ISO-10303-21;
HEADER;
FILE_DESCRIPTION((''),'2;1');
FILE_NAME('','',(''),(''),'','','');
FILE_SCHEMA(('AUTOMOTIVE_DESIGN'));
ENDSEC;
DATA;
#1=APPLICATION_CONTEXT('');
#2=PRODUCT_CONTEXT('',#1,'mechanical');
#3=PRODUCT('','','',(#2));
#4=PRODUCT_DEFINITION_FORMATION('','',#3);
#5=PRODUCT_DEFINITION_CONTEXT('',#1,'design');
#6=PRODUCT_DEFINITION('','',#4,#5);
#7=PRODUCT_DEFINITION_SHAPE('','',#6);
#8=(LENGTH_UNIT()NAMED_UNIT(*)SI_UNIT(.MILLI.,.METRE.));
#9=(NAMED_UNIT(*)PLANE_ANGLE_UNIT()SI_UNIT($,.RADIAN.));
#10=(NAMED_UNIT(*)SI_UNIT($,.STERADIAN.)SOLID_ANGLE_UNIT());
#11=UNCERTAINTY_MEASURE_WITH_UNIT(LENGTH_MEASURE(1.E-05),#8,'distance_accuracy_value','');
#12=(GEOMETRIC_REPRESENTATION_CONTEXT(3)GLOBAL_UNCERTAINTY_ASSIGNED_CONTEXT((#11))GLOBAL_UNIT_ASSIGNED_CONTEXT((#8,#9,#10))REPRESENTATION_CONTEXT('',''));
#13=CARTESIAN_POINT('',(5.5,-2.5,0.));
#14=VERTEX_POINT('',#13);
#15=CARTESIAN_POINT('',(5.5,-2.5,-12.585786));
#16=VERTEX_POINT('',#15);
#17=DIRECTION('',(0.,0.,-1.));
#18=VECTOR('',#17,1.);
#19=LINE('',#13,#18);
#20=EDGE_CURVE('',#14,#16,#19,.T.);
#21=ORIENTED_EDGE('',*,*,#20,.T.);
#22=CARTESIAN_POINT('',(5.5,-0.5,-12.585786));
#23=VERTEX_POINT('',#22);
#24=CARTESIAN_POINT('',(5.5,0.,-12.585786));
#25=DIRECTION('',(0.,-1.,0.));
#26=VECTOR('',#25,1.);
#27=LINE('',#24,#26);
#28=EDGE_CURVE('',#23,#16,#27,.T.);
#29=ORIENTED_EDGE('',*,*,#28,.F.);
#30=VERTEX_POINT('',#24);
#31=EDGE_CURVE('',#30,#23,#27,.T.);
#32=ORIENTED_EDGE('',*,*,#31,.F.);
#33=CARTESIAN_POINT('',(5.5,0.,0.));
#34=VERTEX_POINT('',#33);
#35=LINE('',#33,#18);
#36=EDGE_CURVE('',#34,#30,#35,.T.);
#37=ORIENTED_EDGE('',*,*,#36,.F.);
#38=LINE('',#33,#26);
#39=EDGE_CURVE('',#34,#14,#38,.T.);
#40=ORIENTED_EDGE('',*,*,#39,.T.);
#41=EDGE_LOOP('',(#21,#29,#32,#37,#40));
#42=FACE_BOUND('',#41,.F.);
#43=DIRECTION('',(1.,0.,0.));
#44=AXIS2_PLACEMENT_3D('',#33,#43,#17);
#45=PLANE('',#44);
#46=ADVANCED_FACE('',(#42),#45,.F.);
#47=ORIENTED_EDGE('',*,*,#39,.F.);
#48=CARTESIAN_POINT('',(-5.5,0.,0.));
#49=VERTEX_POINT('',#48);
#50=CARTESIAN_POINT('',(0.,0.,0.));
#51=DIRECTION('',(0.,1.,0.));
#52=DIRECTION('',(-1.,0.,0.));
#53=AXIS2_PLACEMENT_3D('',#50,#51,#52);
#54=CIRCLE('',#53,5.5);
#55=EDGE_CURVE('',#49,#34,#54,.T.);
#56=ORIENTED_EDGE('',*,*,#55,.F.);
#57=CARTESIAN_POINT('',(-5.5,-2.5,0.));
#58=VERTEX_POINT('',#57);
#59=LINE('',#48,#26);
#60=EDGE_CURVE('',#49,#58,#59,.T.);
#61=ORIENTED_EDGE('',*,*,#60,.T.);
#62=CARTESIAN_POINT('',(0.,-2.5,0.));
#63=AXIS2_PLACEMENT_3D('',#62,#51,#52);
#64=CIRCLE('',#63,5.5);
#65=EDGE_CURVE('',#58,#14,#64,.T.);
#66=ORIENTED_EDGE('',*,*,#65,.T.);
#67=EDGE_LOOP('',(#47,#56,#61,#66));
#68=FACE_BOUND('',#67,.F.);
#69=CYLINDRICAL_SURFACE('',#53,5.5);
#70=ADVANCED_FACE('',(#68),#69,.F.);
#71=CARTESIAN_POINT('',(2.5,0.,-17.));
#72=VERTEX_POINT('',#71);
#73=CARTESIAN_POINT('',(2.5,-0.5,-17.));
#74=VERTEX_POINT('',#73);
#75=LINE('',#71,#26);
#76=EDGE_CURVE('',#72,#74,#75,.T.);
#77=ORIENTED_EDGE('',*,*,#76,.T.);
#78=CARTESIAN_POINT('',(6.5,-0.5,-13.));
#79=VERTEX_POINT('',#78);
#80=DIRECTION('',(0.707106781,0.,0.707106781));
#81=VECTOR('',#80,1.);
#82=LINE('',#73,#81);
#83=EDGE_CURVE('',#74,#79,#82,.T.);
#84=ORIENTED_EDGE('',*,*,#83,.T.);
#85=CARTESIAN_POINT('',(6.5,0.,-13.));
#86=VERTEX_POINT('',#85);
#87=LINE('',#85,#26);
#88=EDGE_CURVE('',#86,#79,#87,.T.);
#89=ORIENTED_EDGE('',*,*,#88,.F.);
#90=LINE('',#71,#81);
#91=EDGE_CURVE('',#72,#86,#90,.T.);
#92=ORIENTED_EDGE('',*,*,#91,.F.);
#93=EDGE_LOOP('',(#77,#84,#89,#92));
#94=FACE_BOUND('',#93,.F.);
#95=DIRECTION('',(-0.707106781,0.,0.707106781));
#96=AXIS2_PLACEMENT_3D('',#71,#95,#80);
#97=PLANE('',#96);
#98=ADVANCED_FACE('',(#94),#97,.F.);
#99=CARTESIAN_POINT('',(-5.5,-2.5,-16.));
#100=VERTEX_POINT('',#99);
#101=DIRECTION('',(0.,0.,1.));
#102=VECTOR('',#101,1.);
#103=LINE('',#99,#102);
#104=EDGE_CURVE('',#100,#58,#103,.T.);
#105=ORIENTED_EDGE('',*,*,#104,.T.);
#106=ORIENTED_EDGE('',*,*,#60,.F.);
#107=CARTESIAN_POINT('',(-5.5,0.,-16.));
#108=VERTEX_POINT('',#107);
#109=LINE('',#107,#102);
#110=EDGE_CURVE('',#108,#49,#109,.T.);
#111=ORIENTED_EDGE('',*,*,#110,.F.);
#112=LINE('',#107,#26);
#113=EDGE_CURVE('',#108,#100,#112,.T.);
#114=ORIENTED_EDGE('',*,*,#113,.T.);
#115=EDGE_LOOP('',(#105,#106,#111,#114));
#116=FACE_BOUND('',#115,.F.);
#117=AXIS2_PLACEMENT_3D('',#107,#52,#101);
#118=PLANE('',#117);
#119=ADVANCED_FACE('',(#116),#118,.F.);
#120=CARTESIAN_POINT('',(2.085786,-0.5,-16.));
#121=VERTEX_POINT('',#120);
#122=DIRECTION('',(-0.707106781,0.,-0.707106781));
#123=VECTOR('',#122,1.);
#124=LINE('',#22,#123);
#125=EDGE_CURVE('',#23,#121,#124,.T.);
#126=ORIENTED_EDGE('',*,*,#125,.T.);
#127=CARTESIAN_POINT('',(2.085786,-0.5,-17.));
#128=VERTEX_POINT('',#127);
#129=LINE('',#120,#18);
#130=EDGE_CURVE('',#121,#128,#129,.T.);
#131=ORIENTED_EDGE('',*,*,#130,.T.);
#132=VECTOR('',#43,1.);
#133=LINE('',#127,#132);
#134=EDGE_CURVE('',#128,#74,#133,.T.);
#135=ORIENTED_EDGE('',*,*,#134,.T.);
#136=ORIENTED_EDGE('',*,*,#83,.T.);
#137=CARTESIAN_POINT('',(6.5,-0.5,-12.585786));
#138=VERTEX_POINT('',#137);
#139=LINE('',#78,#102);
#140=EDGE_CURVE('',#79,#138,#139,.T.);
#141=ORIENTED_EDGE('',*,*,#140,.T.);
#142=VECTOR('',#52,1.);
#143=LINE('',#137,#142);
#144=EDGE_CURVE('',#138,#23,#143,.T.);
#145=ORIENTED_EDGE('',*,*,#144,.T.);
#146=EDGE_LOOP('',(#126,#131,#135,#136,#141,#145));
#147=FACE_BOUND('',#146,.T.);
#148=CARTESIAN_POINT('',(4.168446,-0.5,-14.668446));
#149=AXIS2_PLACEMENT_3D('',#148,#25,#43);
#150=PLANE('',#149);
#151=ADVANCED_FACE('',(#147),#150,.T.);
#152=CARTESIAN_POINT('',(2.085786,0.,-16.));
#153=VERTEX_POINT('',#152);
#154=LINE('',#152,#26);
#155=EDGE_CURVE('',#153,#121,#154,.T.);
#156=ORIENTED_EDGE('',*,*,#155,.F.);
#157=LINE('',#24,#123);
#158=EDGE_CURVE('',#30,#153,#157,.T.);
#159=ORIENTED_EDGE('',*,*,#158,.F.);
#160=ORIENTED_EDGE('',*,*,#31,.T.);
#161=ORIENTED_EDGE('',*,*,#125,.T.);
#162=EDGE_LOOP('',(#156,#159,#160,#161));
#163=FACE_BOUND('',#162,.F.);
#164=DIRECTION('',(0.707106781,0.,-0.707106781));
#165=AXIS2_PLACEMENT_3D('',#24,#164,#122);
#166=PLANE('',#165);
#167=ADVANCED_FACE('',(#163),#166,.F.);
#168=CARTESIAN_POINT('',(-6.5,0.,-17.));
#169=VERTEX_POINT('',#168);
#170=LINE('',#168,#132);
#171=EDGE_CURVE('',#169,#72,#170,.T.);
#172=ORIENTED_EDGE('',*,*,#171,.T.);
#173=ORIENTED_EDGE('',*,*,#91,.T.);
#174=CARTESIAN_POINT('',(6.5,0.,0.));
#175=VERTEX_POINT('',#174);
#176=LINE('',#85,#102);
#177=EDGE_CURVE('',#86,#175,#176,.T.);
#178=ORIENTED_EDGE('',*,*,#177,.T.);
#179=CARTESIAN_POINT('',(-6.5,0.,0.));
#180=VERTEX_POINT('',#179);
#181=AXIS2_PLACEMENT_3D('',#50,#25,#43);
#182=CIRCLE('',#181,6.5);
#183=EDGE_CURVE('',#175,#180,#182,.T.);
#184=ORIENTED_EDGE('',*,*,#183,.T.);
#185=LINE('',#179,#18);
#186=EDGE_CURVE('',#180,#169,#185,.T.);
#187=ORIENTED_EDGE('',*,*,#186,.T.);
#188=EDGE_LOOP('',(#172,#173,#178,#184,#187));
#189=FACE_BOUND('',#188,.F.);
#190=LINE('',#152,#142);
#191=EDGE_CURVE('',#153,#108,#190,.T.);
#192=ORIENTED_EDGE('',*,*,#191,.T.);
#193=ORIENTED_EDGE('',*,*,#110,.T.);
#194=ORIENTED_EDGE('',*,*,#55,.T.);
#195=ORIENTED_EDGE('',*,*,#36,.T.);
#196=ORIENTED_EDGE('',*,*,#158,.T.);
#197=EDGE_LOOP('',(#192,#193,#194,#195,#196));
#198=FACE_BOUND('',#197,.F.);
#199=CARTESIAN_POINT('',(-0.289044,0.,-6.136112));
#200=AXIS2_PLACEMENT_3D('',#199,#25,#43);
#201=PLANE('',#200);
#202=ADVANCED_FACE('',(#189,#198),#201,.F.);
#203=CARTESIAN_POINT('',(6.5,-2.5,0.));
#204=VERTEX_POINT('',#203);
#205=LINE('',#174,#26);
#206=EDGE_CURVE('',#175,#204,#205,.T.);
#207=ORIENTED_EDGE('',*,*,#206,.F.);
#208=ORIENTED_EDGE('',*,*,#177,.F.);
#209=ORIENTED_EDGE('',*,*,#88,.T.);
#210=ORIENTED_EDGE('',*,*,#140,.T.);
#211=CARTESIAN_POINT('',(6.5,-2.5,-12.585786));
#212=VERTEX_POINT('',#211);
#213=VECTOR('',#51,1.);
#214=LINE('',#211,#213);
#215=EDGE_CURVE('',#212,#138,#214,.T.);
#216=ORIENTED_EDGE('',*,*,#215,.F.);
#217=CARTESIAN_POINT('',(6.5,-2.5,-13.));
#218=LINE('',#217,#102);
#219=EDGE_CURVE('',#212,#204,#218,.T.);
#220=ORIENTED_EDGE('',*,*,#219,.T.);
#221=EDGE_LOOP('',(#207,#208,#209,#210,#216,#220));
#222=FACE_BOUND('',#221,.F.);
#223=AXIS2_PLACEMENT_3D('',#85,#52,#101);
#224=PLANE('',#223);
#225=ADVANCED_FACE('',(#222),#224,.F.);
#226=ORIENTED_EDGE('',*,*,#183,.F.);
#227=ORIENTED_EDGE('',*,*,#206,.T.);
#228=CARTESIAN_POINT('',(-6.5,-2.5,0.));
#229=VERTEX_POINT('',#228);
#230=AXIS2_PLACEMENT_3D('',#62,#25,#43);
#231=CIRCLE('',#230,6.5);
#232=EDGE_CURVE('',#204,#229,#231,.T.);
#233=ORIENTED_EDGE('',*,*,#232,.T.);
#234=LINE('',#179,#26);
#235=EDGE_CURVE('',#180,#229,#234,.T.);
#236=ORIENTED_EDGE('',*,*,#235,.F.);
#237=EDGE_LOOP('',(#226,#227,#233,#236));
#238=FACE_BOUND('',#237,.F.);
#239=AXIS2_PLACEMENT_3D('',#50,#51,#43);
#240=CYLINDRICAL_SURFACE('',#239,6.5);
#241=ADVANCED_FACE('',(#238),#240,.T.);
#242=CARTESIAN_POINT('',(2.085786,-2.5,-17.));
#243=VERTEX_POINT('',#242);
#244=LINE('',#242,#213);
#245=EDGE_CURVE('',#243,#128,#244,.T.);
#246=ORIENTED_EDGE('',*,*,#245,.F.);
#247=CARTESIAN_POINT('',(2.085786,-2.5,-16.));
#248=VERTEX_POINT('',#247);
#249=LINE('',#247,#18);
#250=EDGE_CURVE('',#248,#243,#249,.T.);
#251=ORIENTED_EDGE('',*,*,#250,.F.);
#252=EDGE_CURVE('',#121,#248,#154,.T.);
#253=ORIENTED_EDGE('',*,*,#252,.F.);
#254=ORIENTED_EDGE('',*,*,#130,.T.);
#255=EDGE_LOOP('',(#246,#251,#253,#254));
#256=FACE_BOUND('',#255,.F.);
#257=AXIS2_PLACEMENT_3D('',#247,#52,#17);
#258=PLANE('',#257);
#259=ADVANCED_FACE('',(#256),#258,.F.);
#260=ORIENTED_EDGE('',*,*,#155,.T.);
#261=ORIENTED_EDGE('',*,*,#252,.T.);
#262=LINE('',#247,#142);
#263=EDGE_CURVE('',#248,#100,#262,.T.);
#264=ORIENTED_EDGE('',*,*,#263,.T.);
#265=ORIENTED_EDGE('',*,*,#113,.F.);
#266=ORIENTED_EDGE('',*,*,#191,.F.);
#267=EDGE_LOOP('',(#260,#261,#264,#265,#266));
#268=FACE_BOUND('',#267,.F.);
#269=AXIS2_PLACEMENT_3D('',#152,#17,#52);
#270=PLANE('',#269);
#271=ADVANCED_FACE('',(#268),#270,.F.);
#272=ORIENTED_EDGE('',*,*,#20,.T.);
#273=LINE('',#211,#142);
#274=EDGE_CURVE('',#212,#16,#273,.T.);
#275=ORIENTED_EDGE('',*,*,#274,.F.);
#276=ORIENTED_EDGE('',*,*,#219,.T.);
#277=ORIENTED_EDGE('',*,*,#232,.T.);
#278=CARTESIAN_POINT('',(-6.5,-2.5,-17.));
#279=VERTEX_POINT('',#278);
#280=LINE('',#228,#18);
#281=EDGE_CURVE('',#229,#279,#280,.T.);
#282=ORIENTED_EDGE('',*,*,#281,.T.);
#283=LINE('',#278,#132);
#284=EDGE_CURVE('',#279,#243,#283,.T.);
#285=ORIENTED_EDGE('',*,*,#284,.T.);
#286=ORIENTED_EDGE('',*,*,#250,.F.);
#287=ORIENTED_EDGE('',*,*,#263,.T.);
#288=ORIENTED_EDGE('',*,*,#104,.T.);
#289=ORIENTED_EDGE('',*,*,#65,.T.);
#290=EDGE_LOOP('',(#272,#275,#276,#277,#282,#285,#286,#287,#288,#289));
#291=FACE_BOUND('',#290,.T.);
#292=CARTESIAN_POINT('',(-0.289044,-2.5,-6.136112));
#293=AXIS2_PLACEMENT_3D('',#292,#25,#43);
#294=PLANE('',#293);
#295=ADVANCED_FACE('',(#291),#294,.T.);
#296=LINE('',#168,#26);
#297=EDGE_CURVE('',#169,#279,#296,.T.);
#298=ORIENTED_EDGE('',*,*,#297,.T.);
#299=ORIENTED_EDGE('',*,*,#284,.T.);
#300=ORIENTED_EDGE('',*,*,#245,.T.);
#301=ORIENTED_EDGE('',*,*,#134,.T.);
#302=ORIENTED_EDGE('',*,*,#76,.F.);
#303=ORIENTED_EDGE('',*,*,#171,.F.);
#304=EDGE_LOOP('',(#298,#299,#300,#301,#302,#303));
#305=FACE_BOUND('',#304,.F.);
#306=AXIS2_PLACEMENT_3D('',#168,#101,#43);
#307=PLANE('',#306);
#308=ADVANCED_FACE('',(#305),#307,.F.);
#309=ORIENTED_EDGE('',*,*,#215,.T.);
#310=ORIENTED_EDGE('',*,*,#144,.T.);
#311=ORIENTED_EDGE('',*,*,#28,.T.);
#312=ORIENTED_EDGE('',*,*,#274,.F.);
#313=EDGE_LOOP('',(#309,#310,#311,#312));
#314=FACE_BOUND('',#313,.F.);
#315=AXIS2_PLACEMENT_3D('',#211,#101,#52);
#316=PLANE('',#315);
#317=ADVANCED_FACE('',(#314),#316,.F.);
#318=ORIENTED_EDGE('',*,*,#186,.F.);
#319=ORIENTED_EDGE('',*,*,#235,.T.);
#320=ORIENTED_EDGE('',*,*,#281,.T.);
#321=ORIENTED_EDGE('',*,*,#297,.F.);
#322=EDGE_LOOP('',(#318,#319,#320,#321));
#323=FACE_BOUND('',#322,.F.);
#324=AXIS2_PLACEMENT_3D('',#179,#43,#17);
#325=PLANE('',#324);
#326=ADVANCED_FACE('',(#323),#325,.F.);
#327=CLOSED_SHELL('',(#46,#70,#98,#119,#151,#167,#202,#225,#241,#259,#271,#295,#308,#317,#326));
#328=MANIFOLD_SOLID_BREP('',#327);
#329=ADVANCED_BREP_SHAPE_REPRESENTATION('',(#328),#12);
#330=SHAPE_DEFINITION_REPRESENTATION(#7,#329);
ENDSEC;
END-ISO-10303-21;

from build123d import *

# Parameters (mm, degrees)
F1_DEPTH = 2.5
F3_DEPTH = 2


with BuildPart() as f1:
    # F0 (on Front) → F1 (new body)
    with BuildSketch(Plane.XZ):
        with BuildLine():
            Line((6.5, -13), (6.5, 0))
            ThreePointArc((6.5, 0), (0, 6.5), (-6.5, 0))
            Line((-6.5, 0), (-6.5, -17))
            Line((-6.5, -17), (2.5, -17))
            Line((2.5, -17), (6.5, -13))
        make_face()
        with BuildLine():
            Line((-5.5, -16), (-5.5, 0))
            ThreePointArc((-5.5, 0), (0, 5.5), (5.5, 0))
            Line((5.5, 0), (5.5, -12.585786))
            Line((5.5, -12.585786), (2.085786, -16))
            Line((2.085786, -16), (-5.5, -16))
        make_face(mode=Mode.SUBTRACT)
    extrude(amount=F1_DEPTH)

    # F2 (on face) → F3 (cut)
    with BuildSketch(Plane.XZ.offset(2.5)):
        Polygon((6.5, -12.585786), (5.5, -12.585786), (2.085786, -16), (2.085786, -17), (2.5, -17), (6.5, -13), align=None)
    extrude(amount=-F3_DEPTH, mode=Mode.SUBTRACT)


solid = f1.part
